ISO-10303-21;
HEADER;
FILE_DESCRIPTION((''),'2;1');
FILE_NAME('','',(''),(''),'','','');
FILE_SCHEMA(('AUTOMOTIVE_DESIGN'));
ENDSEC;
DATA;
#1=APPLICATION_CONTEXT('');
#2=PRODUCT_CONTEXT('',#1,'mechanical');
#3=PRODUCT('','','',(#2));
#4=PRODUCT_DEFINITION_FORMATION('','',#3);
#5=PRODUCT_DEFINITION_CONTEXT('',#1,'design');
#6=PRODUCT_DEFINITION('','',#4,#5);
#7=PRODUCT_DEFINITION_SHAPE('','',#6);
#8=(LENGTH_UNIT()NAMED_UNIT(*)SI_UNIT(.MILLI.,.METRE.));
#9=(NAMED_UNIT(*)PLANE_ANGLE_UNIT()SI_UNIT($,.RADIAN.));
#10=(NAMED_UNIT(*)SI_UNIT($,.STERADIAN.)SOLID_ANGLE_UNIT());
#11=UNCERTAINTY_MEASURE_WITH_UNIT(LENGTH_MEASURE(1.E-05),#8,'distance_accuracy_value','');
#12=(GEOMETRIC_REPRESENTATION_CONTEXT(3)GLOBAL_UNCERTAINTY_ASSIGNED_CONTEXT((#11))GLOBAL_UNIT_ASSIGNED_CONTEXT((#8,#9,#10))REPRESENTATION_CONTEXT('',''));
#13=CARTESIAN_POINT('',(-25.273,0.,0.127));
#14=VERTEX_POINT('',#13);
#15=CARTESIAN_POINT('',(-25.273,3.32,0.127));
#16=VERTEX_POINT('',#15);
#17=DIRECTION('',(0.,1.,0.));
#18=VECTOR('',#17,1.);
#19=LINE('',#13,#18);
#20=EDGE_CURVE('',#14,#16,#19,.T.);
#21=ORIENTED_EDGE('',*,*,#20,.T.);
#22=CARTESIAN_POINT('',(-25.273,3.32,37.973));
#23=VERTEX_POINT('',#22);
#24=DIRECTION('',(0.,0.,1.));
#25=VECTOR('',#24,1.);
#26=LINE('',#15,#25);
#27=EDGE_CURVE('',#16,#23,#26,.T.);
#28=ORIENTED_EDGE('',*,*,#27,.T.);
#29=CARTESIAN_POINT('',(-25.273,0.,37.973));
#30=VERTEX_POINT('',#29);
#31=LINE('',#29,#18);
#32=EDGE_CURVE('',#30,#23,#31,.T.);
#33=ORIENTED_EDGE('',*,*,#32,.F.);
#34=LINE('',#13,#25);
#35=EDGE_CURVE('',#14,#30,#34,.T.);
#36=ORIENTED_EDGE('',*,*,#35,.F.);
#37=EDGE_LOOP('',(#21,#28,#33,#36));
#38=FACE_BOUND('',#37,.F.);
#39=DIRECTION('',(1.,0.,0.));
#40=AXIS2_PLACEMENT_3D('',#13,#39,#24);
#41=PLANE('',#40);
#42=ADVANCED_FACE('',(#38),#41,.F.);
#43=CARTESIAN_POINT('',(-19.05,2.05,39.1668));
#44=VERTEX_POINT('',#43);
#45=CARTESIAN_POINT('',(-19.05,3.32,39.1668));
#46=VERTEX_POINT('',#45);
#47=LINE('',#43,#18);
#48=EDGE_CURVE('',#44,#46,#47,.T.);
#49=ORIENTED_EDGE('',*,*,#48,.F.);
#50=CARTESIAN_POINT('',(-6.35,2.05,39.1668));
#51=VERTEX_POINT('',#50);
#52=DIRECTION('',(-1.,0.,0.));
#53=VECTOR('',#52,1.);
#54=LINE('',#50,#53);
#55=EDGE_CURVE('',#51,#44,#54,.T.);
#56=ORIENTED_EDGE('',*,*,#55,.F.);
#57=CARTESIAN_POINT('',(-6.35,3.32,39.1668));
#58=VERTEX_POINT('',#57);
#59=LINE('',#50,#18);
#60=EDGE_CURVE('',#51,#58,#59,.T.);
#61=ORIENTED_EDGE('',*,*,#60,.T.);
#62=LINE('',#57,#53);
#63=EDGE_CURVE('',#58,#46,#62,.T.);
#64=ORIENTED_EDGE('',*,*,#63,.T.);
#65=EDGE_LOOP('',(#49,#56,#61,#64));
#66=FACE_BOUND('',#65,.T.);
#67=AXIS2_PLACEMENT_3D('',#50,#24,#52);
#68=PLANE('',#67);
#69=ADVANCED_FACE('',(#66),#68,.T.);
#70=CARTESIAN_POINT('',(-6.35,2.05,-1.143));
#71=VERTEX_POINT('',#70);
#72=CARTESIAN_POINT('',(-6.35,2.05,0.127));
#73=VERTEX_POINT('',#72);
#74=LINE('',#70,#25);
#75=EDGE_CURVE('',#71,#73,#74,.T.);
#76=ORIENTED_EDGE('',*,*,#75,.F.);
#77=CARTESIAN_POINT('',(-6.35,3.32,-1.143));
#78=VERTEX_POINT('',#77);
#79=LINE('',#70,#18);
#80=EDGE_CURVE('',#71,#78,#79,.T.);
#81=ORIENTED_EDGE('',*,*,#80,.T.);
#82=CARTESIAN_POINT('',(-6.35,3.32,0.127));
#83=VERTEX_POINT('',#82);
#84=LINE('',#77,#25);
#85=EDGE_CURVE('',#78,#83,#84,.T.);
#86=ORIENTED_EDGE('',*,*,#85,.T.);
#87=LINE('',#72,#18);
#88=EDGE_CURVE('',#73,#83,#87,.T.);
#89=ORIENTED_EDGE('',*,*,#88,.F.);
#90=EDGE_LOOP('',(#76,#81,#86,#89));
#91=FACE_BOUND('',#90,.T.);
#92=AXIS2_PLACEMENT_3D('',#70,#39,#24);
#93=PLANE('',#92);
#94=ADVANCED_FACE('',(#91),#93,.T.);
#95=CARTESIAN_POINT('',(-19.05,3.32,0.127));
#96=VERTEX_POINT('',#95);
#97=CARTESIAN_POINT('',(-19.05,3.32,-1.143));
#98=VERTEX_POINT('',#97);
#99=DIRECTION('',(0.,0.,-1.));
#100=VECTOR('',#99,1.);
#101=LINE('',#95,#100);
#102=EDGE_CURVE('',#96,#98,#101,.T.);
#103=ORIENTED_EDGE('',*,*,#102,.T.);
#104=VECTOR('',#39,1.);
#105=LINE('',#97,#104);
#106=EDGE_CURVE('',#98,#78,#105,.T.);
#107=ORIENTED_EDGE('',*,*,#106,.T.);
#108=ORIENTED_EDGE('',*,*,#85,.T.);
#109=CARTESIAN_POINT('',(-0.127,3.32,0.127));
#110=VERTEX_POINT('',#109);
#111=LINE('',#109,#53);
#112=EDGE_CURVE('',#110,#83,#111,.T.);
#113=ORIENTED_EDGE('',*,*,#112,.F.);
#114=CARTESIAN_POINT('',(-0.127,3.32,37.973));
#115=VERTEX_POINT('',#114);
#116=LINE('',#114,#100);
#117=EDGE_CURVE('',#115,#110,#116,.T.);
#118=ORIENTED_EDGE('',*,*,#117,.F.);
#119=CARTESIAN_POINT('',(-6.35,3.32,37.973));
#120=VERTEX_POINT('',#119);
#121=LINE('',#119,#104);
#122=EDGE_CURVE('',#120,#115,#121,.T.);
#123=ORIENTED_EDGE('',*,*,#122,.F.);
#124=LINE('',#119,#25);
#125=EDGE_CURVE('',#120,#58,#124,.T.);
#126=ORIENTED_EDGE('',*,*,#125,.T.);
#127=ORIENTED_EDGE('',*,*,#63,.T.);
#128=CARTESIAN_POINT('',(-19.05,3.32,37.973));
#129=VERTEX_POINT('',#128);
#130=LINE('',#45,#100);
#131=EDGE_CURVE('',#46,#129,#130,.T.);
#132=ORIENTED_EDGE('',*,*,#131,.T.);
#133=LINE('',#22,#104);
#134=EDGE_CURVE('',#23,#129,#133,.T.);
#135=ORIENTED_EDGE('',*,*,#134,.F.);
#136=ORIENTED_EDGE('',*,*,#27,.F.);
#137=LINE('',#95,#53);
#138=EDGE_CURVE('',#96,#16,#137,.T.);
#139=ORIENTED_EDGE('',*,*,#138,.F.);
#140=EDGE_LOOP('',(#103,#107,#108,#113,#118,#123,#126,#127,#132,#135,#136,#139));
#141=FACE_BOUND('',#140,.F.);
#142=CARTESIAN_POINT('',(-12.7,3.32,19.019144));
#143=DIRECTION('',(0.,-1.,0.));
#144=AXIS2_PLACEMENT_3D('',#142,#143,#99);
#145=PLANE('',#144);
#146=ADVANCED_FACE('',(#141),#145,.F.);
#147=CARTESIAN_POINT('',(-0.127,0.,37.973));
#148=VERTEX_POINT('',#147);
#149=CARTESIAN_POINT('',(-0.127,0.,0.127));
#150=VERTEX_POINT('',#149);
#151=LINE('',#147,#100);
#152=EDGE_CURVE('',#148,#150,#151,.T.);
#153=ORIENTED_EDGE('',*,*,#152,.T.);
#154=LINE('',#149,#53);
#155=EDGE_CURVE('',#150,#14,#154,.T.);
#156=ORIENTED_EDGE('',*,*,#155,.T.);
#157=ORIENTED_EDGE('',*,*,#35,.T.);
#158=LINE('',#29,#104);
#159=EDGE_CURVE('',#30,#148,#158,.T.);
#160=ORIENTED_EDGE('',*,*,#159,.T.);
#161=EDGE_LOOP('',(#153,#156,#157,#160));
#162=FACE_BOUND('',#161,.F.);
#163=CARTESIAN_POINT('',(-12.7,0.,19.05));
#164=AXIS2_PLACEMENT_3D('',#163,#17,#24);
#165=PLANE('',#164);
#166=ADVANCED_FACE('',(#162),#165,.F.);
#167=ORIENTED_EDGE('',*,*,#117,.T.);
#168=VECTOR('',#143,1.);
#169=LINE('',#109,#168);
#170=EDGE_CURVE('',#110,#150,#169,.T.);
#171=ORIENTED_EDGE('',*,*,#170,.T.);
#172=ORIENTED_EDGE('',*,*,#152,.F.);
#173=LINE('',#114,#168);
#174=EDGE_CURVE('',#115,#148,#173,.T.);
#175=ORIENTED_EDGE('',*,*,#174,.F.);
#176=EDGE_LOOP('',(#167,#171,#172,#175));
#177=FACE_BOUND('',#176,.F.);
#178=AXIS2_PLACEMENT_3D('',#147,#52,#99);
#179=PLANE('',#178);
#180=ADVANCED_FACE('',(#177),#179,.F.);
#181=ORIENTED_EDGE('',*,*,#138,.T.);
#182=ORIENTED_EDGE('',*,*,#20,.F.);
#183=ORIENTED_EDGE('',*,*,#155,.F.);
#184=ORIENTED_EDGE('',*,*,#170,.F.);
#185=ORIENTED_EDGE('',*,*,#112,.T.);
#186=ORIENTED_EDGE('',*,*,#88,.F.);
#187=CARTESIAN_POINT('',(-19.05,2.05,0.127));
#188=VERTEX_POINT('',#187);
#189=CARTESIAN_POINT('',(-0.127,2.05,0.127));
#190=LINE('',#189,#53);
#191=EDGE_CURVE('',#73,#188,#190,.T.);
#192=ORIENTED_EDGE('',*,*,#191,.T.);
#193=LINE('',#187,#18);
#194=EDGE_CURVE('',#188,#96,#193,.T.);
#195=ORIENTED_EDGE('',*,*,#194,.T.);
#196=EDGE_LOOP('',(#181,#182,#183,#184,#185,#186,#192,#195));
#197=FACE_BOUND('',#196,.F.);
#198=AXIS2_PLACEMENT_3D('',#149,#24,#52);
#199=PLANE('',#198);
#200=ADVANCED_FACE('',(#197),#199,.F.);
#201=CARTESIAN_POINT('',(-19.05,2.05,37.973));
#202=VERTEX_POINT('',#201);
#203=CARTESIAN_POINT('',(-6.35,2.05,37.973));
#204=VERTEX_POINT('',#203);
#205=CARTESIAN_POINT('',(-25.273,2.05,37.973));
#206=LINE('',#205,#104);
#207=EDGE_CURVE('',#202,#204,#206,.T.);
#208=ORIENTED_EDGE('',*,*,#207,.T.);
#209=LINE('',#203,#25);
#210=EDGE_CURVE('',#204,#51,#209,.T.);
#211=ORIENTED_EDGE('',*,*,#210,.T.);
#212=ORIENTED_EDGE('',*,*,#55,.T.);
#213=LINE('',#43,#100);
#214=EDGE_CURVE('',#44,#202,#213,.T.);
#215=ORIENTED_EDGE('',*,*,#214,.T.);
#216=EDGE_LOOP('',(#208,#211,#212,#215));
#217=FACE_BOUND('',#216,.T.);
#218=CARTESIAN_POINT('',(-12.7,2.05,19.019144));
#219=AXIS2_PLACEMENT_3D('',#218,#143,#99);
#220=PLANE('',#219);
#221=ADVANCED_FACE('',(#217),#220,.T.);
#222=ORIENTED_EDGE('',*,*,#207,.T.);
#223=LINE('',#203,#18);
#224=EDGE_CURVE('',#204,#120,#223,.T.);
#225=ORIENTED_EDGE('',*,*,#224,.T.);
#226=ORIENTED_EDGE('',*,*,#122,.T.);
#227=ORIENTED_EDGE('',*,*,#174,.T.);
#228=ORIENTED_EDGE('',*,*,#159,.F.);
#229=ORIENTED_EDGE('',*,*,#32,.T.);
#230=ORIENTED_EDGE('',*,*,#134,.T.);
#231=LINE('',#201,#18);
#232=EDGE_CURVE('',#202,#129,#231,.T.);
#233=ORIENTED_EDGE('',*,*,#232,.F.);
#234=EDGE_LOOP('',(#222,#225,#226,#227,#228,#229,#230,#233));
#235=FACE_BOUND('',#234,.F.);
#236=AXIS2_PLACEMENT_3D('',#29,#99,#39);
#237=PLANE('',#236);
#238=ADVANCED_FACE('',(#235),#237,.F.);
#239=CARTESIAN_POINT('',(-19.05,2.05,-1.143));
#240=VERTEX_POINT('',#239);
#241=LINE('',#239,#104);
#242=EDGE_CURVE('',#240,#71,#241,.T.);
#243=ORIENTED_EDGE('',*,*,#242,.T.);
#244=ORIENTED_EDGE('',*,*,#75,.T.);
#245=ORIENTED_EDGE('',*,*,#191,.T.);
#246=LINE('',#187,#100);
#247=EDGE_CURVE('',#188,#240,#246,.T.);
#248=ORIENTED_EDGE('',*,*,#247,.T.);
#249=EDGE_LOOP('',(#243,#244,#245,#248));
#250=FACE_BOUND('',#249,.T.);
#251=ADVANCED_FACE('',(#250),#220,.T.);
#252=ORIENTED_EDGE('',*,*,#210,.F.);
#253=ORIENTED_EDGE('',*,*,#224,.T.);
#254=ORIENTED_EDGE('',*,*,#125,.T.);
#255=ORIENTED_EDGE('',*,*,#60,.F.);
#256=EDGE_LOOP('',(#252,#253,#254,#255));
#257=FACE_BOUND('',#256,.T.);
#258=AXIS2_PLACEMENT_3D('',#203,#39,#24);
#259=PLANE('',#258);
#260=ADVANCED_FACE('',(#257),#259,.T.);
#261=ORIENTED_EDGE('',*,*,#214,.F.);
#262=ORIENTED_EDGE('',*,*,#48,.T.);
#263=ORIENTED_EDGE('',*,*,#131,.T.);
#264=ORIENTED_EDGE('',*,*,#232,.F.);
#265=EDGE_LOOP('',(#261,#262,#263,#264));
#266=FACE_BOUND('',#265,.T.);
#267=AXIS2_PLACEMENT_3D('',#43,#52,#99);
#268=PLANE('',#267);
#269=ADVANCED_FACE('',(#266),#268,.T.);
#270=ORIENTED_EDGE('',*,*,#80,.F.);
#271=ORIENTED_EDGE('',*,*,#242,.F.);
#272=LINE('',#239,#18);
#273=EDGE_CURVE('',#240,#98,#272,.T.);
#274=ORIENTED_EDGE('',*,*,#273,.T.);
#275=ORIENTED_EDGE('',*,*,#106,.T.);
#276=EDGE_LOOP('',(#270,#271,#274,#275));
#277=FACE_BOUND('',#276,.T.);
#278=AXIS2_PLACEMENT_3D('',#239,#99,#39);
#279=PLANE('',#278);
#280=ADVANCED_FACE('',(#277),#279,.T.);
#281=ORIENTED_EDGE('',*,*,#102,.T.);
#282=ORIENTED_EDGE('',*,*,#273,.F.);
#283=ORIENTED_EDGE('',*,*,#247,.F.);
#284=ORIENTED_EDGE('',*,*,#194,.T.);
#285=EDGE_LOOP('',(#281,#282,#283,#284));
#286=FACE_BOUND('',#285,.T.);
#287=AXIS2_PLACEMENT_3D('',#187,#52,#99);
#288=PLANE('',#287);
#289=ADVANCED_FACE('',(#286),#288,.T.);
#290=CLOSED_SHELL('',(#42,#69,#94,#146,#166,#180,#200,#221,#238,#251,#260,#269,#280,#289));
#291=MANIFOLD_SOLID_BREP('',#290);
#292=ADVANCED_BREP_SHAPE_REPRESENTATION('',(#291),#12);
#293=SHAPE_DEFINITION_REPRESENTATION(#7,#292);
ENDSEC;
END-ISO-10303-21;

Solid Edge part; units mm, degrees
sketch "Sketch1" plane through (0, 0, 0) normal (0, -1, 0) x (1, 0, 0)
  line L0 (-0.127, 0.127) -> (-25.273, 0.127)
  line L1 (-25.273, 0.127) -> (-25.273, 37.973)
  line L2 (-25.273, 37.973) -> (-0.127, 37.973)
  line L3 (-0.127, 37.973) -> (-0.127, 0.127)
extrude "Protrusion1" add sketch "Sketch1" against normal up to surface (2.05 mm away)
sketch "Sketch2" plane through (-9.78, 2.05, 19.05) normal (0, 1, 0) x (1, 0, 0)
  line L0 (-9.27, 20.193) -> (3.43, 20.193)
  line L1 (3.43, 20.193) -> (3.43, 18.923)
  line L2 (9.653, 18.923) -> (3.43, 18.923)
  line L3 (9.653, -18.923) -> (9.653, 18.923)
  line L4 (3.43, -18.923) -> (9.653, -18.923)
  line L5 (3.43, -18.923) -> (3.43, -20.1168)
  line L6 (3.43, -20.1168) -> (-9.27, -20.1168)
  line L7 (-9.27, -20.1168) -> (-9.27, -18.923)
  line L8 (-15.493, -18.923) -> (-9.27, -18.923)
  line L9 (-15.493, 18.923) -> (-15.493, -18.923)
  line L10 (-9.27, 18.923) -> (-15.493, 18.923)
  line L11 (-9.27, 18.923) -> (-9.27, 20.193)
extrude "Protrusion2" add sketch "Sketch2" along normal blind 1.27
